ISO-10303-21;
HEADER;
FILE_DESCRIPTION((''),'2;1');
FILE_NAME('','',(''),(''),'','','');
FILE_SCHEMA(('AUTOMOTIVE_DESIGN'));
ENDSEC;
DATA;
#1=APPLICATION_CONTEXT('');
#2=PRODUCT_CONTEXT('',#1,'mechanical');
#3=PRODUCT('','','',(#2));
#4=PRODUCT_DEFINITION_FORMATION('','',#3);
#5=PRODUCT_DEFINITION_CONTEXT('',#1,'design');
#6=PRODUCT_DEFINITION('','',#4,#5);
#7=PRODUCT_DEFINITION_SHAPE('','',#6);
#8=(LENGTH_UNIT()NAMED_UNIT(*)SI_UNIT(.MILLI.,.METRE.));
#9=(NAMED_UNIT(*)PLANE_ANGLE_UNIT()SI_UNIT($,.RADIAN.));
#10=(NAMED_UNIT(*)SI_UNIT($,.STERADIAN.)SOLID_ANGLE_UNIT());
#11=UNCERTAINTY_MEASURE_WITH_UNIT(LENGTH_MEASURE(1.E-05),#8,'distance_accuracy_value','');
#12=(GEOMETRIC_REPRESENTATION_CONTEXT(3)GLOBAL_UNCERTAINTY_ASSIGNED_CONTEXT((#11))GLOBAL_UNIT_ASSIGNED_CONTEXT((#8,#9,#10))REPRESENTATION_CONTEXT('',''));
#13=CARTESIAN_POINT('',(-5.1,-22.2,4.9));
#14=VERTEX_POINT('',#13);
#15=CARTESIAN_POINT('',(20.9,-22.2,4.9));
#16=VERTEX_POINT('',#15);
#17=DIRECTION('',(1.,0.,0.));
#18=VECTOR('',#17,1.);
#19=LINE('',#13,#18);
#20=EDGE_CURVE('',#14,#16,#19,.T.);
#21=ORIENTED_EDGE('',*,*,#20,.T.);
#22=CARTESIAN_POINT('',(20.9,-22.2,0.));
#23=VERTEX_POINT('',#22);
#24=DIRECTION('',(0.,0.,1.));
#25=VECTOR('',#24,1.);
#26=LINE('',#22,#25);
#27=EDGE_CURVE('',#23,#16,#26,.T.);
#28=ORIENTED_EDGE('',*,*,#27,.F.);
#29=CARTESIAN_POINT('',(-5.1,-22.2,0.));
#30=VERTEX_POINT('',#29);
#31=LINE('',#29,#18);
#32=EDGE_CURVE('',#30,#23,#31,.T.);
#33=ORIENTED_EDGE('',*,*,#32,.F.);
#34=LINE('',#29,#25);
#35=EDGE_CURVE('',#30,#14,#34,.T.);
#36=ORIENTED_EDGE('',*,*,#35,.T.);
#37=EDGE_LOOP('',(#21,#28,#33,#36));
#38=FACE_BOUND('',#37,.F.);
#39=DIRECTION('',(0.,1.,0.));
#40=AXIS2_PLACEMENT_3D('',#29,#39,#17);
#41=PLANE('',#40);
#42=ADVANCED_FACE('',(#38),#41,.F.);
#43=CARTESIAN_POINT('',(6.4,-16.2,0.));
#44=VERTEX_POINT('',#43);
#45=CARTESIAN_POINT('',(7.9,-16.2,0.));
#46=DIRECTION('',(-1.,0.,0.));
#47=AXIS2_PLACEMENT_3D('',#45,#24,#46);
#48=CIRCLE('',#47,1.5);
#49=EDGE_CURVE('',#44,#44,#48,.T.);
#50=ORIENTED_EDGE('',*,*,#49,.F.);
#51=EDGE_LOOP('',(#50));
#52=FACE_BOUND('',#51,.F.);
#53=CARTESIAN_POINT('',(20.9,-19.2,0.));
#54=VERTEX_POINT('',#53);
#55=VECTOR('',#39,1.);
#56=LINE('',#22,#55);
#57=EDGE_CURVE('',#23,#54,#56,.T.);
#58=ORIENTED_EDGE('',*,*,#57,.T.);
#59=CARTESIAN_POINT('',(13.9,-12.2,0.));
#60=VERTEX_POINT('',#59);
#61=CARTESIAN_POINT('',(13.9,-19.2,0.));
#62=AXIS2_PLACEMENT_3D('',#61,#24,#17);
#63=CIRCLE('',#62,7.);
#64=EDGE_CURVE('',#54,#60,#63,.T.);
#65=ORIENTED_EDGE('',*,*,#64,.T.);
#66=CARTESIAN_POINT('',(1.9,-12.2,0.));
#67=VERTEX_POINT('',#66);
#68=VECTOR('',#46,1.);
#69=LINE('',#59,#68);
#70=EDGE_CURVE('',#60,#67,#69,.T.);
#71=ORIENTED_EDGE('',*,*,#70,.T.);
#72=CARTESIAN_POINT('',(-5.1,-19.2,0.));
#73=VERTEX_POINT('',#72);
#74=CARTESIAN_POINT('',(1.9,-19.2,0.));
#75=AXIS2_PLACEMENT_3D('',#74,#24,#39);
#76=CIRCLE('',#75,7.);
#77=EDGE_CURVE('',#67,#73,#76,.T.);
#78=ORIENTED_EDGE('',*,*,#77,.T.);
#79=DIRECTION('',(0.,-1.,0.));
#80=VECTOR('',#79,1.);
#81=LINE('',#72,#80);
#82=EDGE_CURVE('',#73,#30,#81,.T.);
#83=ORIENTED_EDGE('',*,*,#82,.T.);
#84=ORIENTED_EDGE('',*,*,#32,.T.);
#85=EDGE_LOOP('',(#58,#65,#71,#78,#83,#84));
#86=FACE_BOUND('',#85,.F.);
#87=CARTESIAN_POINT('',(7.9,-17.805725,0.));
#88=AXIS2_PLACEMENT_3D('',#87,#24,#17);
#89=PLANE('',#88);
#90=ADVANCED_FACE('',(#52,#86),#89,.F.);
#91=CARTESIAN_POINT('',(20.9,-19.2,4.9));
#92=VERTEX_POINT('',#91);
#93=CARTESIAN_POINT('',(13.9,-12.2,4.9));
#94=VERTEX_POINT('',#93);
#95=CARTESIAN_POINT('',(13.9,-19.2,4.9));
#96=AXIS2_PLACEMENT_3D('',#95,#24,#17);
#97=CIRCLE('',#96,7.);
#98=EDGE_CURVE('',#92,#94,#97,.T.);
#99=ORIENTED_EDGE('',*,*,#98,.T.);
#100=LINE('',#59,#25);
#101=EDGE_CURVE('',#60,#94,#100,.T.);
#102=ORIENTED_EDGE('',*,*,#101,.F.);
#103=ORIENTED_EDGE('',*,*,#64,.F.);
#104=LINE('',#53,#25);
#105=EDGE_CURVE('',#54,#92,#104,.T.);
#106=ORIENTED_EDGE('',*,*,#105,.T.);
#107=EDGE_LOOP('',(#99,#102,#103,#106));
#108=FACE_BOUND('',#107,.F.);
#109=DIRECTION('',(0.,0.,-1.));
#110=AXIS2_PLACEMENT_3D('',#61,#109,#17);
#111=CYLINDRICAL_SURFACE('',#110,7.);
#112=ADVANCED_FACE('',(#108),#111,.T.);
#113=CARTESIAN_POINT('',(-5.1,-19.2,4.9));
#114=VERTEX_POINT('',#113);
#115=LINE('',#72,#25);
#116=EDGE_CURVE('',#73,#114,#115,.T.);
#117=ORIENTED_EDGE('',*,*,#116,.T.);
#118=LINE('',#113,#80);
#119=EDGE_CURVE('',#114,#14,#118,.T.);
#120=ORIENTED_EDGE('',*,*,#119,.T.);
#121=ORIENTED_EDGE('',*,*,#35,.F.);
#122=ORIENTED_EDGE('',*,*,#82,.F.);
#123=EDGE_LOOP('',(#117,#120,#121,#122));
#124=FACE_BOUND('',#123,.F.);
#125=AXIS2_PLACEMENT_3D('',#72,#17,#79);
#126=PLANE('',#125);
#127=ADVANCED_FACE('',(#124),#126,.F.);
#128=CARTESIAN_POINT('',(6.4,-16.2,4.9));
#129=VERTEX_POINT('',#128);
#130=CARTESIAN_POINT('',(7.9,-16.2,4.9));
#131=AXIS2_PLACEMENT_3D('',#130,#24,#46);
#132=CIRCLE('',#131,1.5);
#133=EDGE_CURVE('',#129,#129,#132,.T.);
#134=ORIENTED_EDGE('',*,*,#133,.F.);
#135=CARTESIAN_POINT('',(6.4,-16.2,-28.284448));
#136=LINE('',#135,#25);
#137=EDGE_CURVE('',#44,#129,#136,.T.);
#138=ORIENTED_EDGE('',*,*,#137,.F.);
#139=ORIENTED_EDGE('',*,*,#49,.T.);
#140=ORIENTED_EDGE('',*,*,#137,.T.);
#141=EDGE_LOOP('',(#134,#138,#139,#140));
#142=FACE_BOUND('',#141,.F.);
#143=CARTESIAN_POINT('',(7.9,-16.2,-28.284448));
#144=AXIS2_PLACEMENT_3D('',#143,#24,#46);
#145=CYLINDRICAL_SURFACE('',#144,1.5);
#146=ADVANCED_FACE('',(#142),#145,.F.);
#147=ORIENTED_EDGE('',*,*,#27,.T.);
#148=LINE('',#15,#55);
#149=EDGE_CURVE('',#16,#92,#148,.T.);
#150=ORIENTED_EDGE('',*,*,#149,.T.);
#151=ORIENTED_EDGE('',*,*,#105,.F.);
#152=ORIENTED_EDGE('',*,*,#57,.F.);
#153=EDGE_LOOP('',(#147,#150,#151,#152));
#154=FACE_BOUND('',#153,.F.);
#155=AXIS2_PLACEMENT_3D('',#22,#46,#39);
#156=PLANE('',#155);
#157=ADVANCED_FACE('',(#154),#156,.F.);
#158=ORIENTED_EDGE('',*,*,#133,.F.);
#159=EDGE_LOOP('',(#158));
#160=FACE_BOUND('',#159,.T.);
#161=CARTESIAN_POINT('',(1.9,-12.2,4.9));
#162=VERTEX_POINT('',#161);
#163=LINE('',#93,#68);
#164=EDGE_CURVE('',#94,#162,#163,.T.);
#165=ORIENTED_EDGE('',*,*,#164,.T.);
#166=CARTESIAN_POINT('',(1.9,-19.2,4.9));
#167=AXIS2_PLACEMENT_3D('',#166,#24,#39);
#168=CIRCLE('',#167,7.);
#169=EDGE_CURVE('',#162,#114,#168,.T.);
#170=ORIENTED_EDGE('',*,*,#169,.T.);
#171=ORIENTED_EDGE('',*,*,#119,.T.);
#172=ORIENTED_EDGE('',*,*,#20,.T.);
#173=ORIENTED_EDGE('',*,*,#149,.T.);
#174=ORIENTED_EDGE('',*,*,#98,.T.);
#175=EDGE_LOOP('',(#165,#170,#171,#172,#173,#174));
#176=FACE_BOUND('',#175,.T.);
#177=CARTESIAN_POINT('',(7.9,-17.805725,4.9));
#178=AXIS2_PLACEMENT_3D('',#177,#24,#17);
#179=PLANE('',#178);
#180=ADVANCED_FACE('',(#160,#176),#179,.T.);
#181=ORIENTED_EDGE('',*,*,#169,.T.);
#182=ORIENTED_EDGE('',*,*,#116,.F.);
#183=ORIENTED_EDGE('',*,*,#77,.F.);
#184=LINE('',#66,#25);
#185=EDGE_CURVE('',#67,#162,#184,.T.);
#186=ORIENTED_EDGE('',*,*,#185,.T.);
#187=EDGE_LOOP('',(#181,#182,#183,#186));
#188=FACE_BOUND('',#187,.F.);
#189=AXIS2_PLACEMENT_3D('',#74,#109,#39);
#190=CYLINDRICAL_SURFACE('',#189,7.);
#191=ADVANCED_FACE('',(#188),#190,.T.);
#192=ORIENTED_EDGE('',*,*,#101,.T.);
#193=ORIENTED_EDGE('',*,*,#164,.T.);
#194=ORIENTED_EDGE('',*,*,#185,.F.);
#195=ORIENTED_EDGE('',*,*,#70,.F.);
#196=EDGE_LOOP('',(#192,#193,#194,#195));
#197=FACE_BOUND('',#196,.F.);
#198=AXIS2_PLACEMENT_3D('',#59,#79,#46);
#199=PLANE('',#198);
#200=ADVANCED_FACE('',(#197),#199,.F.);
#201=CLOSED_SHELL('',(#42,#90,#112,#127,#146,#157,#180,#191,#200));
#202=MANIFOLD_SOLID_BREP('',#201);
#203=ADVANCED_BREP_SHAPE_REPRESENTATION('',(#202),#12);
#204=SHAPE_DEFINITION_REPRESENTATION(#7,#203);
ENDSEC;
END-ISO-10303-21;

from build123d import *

# Parameters (mm, degrees)
F1_DEPTH = 10
F0_W     = 26
F0_H     = 12
F2_DEPTH = 5
F3_D     = 3
F5_DEPTH = 4.9
F6_D     = 3


with BuildPart() as f1:
    # F0 (on Top) → F1 (new body)
    with BuildSketch(Plane.XY):
        Polygon((20.9, 30.9), (20.9, 16.5), (17.9, 16.5), (17.9, 13.2), (19.4, 11.7), (20.9, 11.7), (20.9, 4.9), (14.1, 4.9), (14.1, 6.4), (12.6, 7.9), (9.3, 7.9), (9.3, 4.9), (-5.1, 4.9), (-5.1, -0.1), (20.9, -0.1), (25.9, 4.9), (25.9, 30.9), align=None)
    extrude(amount=F1_DEPTH)

    # F0 (on Top) → F2 (join)
    with BuildSketch(Plane.XY):
        with Locations((7.9, -6.1)):
            Rectangle(F0_W, F0_H)
    extrude(amount=F2_DEPTH)

    # F3 (through all)
    with Locations(Plane(origin=(0, 0, 0), x_dir=(1, 0, 0), z_dir=(0, 0, -1))):
        with Locations((7.8999996185, 8.1)):
            Hole(F3_D / 2)


with BuildPart() as f5:
    # F4 (on Top) → F5 (new body)
    with BuildSketch(Plane.XY):
        with BuildLine():
            ThreePointArc((20.9, -19.2), (18.8497474683, -14.2502525317), (13.9, -12.2))
            Line((13.9, -12.2), (1.9, -12.2))
            ThreePointArc((1.9, -12.2), (-3.0497474683, -14.2502525317), (-5.1, -19.2))
            Line((-5.1, -19.2), (-5.1, -22.2))
            Line((-5.1, -22.2), (20.9, -22.2))
            Line((20.9, -22.2), (20.9, -19.2))
        make_face()
    extrude(amount=F5_DEPTH)

    # F6 (through all)
    with Locations(Plane(origin=(0, 0, 0), x_dir=(1, 0, 0), z_dir=(0, 0, -1))):
        with Locations((7.9, 16.2)):
            Hole(F6_D / 2)


solid = f5.part
